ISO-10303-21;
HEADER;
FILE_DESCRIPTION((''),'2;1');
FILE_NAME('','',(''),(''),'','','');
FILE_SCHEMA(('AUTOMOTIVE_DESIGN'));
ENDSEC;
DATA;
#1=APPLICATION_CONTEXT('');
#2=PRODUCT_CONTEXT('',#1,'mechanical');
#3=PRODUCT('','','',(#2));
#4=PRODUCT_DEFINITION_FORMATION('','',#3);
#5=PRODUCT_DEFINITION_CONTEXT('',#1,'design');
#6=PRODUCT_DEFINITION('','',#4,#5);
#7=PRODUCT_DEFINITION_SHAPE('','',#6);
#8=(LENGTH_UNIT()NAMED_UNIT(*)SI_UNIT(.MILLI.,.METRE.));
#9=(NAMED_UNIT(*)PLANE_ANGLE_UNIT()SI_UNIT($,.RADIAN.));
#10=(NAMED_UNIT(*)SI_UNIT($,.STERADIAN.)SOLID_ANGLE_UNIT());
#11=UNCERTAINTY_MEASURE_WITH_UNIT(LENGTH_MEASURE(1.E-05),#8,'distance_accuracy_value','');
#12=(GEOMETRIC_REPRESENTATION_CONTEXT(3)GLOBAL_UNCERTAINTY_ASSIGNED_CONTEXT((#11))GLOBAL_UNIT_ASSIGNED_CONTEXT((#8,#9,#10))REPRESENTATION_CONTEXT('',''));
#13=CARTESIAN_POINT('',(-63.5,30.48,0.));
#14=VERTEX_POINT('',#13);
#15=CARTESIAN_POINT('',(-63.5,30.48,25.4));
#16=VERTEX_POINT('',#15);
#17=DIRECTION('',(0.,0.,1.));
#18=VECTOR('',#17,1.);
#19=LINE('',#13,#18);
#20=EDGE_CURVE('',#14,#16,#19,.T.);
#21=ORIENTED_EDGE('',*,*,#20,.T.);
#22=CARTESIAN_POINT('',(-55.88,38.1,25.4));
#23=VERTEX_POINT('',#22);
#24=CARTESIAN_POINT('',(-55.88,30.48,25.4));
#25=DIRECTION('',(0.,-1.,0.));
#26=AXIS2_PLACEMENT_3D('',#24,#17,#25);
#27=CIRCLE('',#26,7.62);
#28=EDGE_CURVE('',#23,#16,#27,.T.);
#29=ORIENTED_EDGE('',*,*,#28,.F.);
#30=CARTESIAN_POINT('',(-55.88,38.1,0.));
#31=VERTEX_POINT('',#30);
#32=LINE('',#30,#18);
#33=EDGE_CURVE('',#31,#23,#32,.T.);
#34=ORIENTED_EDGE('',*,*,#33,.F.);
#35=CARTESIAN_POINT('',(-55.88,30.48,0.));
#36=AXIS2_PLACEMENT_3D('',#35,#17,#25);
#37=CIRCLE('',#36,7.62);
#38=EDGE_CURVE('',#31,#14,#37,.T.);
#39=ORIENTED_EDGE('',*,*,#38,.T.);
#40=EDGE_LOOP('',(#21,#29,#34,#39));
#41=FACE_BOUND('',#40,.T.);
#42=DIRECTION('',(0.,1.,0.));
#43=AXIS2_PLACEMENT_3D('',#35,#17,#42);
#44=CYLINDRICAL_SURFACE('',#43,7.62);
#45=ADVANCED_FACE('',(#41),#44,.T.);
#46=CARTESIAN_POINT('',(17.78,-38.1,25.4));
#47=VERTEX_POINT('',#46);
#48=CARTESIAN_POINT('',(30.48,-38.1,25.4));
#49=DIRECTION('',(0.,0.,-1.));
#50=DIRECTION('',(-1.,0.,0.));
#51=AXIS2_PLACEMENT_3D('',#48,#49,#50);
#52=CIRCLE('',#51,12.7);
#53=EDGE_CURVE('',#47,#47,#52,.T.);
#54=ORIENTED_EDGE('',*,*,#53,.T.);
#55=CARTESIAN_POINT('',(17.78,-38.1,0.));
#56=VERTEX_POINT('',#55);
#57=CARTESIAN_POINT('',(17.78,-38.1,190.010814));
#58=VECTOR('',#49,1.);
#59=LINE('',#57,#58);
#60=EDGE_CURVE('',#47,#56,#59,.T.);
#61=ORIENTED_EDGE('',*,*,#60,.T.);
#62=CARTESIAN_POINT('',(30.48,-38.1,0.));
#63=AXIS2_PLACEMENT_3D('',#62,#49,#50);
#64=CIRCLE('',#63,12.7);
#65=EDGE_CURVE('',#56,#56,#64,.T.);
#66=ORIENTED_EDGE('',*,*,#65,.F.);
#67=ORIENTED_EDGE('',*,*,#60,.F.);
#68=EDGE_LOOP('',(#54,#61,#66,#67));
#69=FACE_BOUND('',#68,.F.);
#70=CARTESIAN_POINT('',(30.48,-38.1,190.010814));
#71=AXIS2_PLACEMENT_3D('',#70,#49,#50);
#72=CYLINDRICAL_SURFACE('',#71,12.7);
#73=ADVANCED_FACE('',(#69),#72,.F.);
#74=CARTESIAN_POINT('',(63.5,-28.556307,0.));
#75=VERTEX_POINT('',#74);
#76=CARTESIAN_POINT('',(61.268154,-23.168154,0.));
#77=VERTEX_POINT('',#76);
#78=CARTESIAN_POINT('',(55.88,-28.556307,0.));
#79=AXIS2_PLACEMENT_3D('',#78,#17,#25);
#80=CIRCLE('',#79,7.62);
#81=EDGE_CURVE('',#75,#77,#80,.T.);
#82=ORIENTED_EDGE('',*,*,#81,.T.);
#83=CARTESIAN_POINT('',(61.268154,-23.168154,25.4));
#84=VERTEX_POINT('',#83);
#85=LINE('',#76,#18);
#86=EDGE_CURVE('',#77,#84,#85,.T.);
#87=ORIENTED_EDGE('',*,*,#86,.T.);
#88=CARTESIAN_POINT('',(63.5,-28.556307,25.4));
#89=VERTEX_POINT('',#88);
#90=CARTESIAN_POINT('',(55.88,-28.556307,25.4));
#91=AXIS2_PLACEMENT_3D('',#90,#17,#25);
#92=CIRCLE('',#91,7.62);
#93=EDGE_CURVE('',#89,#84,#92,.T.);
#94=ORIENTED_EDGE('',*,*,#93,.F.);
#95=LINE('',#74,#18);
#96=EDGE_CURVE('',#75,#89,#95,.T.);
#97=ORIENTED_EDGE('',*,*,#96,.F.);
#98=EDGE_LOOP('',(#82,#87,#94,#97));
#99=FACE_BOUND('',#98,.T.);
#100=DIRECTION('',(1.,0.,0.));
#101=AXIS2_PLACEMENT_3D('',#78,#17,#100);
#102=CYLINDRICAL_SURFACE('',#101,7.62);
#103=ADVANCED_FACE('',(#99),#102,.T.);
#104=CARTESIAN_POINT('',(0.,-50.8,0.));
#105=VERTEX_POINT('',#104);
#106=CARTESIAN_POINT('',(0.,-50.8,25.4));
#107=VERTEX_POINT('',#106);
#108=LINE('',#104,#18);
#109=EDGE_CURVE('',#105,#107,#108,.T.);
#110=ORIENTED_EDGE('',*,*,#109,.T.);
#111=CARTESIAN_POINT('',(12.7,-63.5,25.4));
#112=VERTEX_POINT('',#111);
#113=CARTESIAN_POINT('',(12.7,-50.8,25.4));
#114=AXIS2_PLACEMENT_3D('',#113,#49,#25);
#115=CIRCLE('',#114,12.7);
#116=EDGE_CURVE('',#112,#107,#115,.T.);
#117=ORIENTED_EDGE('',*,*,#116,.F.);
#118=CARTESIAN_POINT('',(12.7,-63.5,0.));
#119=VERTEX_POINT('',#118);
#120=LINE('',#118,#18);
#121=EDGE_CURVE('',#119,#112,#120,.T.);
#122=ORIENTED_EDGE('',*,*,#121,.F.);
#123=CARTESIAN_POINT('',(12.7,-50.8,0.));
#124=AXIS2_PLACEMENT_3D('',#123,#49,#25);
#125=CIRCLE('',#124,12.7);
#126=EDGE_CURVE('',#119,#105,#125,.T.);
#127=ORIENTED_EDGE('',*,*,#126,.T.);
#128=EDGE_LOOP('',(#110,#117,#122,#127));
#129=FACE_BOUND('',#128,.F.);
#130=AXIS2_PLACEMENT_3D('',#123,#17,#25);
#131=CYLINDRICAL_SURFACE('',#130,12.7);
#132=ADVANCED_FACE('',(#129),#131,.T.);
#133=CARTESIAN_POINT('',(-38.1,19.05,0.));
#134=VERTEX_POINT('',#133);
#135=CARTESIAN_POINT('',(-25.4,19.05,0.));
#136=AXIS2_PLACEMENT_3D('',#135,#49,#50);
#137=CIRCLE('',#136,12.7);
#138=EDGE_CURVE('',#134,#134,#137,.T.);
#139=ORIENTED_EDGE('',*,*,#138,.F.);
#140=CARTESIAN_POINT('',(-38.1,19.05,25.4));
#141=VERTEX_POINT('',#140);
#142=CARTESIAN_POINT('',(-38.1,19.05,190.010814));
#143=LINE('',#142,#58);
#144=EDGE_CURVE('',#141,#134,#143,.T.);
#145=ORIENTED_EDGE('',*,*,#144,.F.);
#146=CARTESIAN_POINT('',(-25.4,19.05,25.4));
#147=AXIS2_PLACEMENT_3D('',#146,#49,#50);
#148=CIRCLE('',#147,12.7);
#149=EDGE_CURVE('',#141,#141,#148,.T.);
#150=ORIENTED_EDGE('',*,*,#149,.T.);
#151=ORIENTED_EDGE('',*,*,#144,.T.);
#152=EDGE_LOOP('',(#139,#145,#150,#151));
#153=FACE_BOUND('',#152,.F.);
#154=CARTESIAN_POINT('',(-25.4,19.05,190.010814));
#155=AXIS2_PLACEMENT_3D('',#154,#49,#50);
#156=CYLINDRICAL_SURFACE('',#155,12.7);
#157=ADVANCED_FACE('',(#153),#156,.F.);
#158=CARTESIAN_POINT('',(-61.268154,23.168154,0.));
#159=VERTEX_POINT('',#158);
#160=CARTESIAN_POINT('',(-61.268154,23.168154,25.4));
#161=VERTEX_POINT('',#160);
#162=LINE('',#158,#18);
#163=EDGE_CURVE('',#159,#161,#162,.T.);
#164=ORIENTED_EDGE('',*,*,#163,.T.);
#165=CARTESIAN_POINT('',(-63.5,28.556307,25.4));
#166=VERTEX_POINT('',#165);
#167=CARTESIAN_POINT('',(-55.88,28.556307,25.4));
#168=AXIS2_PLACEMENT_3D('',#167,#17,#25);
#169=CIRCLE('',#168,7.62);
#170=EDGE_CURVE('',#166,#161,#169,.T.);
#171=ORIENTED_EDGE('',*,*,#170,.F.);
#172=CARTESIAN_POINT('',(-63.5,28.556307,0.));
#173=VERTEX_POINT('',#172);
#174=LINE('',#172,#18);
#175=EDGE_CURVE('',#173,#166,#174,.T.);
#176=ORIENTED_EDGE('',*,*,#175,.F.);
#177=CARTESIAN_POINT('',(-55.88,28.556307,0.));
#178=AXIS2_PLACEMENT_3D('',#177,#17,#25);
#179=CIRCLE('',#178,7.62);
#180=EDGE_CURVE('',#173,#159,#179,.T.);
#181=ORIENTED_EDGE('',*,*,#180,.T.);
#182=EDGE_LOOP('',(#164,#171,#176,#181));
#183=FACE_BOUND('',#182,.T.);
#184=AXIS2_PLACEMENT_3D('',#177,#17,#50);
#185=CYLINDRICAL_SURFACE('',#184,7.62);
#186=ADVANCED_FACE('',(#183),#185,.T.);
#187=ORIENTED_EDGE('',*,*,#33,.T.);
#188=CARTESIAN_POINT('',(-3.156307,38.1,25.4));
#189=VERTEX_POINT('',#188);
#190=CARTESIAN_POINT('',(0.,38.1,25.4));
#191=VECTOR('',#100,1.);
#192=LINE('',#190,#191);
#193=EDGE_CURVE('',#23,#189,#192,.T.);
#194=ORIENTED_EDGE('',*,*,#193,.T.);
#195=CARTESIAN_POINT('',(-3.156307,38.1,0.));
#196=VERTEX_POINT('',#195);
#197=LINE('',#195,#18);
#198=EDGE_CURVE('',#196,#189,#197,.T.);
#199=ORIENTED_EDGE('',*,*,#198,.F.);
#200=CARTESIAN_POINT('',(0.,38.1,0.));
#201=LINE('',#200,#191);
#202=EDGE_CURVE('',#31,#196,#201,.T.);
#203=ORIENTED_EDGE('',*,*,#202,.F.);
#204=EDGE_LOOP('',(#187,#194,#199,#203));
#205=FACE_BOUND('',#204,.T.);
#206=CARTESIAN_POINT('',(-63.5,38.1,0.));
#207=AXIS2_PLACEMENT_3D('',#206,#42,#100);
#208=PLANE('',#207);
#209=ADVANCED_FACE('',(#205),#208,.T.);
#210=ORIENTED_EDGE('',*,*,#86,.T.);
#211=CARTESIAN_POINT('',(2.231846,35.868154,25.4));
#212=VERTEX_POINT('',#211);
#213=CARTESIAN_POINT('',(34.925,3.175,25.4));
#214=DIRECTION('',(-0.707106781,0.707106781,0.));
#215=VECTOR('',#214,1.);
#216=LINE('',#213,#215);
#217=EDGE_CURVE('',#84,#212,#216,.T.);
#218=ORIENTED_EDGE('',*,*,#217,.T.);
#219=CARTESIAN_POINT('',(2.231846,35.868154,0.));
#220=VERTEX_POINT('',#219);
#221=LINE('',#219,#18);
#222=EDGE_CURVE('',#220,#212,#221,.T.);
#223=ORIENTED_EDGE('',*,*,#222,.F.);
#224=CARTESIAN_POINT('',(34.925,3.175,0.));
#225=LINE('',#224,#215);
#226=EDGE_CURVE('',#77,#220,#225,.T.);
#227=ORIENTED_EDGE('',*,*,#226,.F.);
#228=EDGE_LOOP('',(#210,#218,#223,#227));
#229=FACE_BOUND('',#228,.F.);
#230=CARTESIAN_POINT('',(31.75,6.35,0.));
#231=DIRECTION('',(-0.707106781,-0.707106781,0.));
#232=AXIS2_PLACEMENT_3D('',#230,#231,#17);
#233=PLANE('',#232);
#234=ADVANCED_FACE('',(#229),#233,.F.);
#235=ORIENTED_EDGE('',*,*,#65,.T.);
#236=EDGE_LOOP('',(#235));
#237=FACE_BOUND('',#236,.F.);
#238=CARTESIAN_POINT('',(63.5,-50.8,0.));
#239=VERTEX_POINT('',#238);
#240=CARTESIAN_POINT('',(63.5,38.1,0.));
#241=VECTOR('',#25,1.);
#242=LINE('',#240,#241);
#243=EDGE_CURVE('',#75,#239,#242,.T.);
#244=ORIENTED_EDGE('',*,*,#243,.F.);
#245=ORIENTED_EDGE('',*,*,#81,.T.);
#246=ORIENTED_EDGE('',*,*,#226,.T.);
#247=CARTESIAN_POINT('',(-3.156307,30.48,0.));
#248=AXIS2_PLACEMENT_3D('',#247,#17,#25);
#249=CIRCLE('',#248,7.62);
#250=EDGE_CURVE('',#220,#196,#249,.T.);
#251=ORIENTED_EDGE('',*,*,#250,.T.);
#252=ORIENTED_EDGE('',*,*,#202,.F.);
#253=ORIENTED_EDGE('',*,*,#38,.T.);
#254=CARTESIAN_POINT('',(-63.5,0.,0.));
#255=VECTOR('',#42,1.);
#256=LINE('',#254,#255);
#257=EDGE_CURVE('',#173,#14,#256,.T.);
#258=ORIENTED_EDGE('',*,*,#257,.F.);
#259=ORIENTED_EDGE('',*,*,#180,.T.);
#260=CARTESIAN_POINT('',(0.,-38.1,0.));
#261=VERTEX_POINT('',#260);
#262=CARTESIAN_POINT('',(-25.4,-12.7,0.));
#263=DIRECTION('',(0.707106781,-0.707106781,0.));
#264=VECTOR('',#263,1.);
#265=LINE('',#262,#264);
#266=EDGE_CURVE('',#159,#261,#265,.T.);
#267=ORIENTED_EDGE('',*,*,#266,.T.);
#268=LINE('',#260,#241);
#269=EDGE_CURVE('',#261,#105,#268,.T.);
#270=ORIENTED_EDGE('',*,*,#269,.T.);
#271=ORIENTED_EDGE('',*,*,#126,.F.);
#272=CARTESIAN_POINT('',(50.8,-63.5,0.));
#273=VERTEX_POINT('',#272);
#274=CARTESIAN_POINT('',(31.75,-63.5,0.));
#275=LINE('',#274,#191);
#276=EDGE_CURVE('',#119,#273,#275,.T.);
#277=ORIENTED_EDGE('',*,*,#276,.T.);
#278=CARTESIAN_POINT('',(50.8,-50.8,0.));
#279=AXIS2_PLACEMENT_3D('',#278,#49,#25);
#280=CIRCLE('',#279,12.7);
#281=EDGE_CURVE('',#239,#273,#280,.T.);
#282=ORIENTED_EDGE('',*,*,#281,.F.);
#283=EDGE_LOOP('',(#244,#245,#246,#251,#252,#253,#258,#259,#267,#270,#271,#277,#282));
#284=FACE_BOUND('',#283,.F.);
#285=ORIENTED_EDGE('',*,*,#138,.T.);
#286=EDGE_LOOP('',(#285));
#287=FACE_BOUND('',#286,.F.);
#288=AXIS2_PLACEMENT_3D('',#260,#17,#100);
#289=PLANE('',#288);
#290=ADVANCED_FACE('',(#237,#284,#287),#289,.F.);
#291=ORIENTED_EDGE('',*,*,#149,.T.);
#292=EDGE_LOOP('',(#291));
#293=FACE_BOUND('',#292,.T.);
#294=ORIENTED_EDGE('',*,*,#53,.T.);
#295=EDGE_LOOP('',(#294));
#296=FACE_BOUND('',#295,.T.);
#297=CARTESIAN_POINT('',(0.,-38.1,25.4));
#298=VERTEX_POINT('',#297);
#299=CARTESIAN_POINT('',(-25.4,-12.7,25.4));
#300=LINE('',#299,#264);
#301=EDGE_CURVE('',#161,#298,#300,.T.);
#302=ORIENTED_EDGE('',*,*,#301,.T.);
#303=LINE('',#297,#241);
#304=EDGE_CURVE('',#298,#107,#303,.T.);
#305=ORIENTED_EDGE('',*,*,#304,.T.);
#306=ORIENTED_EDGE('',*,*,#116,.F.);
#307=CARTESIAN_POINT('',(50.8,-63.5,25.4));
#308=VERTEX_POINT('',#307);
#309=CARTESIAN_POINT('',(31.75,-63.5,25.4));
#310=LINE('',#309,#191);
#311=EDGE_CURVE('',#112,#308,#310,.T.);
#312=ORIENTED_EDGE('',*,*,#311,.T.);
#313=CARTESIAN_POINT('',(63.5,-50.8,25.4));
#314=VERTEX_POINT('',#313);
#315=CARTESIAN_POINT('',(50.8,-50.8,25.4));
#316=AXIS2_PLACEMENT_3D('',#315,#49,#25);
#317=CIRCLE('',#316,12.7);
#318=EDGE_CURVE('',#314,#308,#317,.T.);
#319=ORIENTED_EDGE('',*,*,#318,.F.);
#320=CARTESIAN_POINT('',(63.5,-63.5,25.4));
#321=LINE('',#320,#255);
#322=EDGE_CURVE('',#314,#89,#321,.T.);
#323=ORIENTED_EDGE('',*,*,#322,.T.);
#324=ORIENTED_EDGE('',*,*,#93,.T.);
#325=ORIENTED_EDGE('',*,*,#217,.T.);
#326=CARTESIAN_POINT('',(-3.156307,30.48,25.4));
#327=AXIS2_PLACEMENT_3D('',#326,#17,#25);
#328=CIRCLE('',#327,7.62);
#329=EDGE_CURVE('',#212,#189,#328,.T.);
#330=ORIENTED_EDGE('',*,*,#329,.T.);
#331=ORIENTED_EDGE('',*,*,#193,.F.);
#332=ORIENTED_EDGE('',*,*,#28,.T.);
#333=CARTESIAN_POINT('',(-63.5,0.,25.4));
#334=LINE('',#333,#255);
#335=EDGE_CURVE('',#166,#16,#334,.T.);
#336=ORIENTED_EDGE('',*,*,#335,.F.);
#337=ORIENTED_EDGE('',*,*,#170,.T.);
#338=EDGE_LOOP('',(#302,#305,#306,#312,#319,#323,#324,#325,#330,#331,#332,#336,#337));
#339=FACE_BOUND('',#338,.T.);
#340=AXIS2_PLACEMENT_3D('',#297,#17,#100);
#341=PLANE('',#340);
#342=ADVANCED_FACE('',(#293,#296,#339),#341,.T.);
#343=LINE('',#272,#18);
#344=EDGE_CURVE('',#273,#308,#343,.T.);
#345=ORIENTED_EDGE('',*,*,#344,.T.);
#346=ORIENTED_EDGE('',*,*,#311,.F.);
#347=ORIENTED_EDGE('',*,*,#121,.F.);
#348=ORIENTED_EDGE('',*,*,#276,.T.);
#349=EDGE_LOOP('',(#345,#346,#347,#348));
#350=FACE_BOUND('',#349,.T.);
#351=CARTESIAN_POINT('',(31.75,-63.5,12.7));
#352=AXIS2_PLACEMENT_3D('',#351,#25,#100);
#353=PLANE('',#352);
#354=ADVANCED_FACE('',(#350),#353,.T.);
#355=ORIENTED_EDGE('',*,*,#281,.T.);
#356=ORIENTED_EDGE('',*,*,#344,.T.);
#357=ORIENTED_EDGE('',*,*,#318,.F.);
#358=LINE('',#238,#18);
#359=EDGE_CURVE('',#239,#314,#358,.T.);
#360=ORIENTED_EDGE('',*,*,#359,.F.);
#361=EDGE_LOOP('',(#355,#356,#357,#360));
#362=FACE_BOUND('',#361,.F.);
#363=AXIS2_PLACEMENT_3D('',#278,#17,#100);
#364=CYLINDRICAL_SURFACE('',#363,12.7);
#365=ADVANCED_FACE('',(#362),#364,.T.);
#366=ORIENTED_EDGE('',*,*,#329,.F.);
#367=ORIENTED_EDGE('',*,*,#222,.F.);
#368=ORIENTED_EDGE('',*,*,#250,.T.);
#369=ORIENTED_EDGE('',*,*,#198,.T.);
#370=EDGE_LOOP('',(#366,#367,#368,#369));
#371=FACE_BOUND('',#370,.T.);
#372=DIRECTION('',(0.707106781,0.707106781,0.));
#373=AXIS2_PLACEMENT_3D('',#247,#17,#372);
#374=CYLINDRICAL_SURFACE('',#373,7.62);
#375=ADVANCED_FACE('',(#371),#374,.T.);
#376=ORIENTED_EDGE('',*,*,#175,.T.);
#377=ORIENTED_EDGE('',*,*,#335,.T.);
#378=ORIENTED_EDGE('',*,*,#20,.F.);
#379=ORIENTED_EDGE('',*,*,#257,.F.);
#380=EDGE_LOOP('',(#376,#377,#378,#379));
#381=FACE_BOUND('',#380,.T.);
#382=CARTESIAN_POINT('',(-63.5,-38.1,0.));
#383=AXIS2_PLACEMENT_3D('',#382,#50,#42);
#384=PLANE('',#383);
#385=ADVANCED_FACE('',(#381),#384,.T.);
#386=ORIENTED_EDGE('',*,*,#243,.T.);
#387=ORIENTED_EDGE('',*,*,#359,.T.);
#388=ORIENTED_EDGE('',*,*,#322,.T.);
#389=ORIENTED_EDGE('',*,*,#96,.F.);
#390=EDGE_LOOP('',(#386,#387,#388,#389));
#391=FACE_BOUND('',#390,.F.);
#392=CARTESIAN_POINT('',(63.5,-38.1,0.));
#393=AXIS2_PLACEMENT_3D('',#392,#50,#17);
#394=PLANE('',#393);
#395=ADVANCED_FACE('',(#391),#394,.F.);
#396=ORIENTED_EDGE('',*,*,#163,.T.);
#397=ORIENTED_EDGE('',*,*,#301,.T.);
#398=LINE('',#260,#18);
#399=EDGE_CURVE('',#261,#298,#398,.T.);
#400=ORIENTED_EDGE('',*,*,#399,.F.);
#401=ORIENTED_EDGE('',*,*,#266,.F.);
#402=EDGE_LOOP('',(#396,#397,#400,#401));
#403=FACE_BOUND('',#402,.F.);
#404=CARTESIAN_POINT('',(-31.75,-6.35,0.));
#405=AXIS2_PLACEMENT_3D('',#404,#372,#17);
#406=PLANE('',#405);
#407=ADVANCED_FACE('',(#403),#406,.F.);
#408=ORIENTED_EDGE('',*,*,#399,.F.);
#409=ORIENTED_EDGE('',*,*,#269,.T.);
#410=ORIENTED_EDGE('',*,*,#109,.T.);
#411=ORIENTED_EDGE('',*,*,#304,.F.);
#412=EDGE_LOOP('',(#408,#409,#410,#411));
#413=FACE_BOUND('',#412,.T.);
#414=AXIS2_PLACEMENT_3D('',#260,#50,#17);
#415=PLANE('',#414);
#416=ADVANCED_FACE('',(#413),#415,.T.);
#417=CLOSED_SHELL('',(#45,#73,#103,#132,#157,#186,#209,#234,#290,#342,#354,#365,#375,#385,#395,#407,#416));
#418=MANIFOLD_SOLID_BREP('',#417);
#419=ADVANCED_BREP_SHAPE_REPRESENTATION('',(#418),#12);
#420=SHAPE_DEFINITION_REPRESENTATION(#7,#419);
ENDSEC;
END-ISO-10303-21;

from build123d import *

# Parameters (mm, degrees)
F0_W     = 127
F0_H     = 76.2
F1_DEPTH = 25.4
F2_SIZE  = 63.5
F3_W     = 63.5
F3_H     = 25.4
F4_DEPTH = 25.4
F5_SIZE  = 63.5
F6_R     = 12.7
F7_R     = 7.62
F9_D     = 25.4
F11_D    = 25.4


with BuildPart() as f1:
    # F0 (on Top) → F1 (new body)
    with BuildSketch(Plane.XY):
        Rectangle(F0_W, F0_H)
    extrude(amount=F1_DEPTH)

    # F2
    f2_edges = [f1.edges().sort_by_distance(p)[0] for p in [
        (-63.5, -38.1, 12.7),
    ]]
    chamfer(f2_edges, length=F2_SIZE)

    # F3 (on face) → F4 (join)
    with BuildSketch(Plane.XZ.offset(38.1)):
        with Locations((31.75, 12.7)):
            Rectangle(F3_W, F3_H)
    extrude(amount=F4_DEPTH)

    # F5
    f5_edges = [f1.edges().sort_by_distance(p)[0] for p in [
        (63.5, 38.1, 12.7),
    ]]
    chamfer(f5_edges, length=F5_SIZE)

    # F6
    f6_edges = [f1.edges().sort_by_distance(p)[0] for p in [
        (63.5, -63.5, 12.7),
        (0, -63.5, 12.7),
    ]]
    fillet(f6_edges, radius=F6_R)

    # F7
    f7_edges = [f1.edges().sort_by_distance(p)[0] for p in [
        (-63.5, 25.4, 12.7),
        (-63.5, 38.1, 12.7),
        (0, 38.1, 12.7),
        (63.5, -25.4, 12.7),
    ]]
    fillet(f7_edges, radius=F7_R)

    # F9 (through all)
    with Locations(Plane.XY.offset(25.4)):
        with Locations((30.48, -38.1)):
            Hole(F9_D / 2)

    # F11 (through all)
    with Locations(Plane.XY.offset(25.4)):
        with Locations((-25.4, 19.05)):
            Hole(F11_D / 2)


solid = f1.part
